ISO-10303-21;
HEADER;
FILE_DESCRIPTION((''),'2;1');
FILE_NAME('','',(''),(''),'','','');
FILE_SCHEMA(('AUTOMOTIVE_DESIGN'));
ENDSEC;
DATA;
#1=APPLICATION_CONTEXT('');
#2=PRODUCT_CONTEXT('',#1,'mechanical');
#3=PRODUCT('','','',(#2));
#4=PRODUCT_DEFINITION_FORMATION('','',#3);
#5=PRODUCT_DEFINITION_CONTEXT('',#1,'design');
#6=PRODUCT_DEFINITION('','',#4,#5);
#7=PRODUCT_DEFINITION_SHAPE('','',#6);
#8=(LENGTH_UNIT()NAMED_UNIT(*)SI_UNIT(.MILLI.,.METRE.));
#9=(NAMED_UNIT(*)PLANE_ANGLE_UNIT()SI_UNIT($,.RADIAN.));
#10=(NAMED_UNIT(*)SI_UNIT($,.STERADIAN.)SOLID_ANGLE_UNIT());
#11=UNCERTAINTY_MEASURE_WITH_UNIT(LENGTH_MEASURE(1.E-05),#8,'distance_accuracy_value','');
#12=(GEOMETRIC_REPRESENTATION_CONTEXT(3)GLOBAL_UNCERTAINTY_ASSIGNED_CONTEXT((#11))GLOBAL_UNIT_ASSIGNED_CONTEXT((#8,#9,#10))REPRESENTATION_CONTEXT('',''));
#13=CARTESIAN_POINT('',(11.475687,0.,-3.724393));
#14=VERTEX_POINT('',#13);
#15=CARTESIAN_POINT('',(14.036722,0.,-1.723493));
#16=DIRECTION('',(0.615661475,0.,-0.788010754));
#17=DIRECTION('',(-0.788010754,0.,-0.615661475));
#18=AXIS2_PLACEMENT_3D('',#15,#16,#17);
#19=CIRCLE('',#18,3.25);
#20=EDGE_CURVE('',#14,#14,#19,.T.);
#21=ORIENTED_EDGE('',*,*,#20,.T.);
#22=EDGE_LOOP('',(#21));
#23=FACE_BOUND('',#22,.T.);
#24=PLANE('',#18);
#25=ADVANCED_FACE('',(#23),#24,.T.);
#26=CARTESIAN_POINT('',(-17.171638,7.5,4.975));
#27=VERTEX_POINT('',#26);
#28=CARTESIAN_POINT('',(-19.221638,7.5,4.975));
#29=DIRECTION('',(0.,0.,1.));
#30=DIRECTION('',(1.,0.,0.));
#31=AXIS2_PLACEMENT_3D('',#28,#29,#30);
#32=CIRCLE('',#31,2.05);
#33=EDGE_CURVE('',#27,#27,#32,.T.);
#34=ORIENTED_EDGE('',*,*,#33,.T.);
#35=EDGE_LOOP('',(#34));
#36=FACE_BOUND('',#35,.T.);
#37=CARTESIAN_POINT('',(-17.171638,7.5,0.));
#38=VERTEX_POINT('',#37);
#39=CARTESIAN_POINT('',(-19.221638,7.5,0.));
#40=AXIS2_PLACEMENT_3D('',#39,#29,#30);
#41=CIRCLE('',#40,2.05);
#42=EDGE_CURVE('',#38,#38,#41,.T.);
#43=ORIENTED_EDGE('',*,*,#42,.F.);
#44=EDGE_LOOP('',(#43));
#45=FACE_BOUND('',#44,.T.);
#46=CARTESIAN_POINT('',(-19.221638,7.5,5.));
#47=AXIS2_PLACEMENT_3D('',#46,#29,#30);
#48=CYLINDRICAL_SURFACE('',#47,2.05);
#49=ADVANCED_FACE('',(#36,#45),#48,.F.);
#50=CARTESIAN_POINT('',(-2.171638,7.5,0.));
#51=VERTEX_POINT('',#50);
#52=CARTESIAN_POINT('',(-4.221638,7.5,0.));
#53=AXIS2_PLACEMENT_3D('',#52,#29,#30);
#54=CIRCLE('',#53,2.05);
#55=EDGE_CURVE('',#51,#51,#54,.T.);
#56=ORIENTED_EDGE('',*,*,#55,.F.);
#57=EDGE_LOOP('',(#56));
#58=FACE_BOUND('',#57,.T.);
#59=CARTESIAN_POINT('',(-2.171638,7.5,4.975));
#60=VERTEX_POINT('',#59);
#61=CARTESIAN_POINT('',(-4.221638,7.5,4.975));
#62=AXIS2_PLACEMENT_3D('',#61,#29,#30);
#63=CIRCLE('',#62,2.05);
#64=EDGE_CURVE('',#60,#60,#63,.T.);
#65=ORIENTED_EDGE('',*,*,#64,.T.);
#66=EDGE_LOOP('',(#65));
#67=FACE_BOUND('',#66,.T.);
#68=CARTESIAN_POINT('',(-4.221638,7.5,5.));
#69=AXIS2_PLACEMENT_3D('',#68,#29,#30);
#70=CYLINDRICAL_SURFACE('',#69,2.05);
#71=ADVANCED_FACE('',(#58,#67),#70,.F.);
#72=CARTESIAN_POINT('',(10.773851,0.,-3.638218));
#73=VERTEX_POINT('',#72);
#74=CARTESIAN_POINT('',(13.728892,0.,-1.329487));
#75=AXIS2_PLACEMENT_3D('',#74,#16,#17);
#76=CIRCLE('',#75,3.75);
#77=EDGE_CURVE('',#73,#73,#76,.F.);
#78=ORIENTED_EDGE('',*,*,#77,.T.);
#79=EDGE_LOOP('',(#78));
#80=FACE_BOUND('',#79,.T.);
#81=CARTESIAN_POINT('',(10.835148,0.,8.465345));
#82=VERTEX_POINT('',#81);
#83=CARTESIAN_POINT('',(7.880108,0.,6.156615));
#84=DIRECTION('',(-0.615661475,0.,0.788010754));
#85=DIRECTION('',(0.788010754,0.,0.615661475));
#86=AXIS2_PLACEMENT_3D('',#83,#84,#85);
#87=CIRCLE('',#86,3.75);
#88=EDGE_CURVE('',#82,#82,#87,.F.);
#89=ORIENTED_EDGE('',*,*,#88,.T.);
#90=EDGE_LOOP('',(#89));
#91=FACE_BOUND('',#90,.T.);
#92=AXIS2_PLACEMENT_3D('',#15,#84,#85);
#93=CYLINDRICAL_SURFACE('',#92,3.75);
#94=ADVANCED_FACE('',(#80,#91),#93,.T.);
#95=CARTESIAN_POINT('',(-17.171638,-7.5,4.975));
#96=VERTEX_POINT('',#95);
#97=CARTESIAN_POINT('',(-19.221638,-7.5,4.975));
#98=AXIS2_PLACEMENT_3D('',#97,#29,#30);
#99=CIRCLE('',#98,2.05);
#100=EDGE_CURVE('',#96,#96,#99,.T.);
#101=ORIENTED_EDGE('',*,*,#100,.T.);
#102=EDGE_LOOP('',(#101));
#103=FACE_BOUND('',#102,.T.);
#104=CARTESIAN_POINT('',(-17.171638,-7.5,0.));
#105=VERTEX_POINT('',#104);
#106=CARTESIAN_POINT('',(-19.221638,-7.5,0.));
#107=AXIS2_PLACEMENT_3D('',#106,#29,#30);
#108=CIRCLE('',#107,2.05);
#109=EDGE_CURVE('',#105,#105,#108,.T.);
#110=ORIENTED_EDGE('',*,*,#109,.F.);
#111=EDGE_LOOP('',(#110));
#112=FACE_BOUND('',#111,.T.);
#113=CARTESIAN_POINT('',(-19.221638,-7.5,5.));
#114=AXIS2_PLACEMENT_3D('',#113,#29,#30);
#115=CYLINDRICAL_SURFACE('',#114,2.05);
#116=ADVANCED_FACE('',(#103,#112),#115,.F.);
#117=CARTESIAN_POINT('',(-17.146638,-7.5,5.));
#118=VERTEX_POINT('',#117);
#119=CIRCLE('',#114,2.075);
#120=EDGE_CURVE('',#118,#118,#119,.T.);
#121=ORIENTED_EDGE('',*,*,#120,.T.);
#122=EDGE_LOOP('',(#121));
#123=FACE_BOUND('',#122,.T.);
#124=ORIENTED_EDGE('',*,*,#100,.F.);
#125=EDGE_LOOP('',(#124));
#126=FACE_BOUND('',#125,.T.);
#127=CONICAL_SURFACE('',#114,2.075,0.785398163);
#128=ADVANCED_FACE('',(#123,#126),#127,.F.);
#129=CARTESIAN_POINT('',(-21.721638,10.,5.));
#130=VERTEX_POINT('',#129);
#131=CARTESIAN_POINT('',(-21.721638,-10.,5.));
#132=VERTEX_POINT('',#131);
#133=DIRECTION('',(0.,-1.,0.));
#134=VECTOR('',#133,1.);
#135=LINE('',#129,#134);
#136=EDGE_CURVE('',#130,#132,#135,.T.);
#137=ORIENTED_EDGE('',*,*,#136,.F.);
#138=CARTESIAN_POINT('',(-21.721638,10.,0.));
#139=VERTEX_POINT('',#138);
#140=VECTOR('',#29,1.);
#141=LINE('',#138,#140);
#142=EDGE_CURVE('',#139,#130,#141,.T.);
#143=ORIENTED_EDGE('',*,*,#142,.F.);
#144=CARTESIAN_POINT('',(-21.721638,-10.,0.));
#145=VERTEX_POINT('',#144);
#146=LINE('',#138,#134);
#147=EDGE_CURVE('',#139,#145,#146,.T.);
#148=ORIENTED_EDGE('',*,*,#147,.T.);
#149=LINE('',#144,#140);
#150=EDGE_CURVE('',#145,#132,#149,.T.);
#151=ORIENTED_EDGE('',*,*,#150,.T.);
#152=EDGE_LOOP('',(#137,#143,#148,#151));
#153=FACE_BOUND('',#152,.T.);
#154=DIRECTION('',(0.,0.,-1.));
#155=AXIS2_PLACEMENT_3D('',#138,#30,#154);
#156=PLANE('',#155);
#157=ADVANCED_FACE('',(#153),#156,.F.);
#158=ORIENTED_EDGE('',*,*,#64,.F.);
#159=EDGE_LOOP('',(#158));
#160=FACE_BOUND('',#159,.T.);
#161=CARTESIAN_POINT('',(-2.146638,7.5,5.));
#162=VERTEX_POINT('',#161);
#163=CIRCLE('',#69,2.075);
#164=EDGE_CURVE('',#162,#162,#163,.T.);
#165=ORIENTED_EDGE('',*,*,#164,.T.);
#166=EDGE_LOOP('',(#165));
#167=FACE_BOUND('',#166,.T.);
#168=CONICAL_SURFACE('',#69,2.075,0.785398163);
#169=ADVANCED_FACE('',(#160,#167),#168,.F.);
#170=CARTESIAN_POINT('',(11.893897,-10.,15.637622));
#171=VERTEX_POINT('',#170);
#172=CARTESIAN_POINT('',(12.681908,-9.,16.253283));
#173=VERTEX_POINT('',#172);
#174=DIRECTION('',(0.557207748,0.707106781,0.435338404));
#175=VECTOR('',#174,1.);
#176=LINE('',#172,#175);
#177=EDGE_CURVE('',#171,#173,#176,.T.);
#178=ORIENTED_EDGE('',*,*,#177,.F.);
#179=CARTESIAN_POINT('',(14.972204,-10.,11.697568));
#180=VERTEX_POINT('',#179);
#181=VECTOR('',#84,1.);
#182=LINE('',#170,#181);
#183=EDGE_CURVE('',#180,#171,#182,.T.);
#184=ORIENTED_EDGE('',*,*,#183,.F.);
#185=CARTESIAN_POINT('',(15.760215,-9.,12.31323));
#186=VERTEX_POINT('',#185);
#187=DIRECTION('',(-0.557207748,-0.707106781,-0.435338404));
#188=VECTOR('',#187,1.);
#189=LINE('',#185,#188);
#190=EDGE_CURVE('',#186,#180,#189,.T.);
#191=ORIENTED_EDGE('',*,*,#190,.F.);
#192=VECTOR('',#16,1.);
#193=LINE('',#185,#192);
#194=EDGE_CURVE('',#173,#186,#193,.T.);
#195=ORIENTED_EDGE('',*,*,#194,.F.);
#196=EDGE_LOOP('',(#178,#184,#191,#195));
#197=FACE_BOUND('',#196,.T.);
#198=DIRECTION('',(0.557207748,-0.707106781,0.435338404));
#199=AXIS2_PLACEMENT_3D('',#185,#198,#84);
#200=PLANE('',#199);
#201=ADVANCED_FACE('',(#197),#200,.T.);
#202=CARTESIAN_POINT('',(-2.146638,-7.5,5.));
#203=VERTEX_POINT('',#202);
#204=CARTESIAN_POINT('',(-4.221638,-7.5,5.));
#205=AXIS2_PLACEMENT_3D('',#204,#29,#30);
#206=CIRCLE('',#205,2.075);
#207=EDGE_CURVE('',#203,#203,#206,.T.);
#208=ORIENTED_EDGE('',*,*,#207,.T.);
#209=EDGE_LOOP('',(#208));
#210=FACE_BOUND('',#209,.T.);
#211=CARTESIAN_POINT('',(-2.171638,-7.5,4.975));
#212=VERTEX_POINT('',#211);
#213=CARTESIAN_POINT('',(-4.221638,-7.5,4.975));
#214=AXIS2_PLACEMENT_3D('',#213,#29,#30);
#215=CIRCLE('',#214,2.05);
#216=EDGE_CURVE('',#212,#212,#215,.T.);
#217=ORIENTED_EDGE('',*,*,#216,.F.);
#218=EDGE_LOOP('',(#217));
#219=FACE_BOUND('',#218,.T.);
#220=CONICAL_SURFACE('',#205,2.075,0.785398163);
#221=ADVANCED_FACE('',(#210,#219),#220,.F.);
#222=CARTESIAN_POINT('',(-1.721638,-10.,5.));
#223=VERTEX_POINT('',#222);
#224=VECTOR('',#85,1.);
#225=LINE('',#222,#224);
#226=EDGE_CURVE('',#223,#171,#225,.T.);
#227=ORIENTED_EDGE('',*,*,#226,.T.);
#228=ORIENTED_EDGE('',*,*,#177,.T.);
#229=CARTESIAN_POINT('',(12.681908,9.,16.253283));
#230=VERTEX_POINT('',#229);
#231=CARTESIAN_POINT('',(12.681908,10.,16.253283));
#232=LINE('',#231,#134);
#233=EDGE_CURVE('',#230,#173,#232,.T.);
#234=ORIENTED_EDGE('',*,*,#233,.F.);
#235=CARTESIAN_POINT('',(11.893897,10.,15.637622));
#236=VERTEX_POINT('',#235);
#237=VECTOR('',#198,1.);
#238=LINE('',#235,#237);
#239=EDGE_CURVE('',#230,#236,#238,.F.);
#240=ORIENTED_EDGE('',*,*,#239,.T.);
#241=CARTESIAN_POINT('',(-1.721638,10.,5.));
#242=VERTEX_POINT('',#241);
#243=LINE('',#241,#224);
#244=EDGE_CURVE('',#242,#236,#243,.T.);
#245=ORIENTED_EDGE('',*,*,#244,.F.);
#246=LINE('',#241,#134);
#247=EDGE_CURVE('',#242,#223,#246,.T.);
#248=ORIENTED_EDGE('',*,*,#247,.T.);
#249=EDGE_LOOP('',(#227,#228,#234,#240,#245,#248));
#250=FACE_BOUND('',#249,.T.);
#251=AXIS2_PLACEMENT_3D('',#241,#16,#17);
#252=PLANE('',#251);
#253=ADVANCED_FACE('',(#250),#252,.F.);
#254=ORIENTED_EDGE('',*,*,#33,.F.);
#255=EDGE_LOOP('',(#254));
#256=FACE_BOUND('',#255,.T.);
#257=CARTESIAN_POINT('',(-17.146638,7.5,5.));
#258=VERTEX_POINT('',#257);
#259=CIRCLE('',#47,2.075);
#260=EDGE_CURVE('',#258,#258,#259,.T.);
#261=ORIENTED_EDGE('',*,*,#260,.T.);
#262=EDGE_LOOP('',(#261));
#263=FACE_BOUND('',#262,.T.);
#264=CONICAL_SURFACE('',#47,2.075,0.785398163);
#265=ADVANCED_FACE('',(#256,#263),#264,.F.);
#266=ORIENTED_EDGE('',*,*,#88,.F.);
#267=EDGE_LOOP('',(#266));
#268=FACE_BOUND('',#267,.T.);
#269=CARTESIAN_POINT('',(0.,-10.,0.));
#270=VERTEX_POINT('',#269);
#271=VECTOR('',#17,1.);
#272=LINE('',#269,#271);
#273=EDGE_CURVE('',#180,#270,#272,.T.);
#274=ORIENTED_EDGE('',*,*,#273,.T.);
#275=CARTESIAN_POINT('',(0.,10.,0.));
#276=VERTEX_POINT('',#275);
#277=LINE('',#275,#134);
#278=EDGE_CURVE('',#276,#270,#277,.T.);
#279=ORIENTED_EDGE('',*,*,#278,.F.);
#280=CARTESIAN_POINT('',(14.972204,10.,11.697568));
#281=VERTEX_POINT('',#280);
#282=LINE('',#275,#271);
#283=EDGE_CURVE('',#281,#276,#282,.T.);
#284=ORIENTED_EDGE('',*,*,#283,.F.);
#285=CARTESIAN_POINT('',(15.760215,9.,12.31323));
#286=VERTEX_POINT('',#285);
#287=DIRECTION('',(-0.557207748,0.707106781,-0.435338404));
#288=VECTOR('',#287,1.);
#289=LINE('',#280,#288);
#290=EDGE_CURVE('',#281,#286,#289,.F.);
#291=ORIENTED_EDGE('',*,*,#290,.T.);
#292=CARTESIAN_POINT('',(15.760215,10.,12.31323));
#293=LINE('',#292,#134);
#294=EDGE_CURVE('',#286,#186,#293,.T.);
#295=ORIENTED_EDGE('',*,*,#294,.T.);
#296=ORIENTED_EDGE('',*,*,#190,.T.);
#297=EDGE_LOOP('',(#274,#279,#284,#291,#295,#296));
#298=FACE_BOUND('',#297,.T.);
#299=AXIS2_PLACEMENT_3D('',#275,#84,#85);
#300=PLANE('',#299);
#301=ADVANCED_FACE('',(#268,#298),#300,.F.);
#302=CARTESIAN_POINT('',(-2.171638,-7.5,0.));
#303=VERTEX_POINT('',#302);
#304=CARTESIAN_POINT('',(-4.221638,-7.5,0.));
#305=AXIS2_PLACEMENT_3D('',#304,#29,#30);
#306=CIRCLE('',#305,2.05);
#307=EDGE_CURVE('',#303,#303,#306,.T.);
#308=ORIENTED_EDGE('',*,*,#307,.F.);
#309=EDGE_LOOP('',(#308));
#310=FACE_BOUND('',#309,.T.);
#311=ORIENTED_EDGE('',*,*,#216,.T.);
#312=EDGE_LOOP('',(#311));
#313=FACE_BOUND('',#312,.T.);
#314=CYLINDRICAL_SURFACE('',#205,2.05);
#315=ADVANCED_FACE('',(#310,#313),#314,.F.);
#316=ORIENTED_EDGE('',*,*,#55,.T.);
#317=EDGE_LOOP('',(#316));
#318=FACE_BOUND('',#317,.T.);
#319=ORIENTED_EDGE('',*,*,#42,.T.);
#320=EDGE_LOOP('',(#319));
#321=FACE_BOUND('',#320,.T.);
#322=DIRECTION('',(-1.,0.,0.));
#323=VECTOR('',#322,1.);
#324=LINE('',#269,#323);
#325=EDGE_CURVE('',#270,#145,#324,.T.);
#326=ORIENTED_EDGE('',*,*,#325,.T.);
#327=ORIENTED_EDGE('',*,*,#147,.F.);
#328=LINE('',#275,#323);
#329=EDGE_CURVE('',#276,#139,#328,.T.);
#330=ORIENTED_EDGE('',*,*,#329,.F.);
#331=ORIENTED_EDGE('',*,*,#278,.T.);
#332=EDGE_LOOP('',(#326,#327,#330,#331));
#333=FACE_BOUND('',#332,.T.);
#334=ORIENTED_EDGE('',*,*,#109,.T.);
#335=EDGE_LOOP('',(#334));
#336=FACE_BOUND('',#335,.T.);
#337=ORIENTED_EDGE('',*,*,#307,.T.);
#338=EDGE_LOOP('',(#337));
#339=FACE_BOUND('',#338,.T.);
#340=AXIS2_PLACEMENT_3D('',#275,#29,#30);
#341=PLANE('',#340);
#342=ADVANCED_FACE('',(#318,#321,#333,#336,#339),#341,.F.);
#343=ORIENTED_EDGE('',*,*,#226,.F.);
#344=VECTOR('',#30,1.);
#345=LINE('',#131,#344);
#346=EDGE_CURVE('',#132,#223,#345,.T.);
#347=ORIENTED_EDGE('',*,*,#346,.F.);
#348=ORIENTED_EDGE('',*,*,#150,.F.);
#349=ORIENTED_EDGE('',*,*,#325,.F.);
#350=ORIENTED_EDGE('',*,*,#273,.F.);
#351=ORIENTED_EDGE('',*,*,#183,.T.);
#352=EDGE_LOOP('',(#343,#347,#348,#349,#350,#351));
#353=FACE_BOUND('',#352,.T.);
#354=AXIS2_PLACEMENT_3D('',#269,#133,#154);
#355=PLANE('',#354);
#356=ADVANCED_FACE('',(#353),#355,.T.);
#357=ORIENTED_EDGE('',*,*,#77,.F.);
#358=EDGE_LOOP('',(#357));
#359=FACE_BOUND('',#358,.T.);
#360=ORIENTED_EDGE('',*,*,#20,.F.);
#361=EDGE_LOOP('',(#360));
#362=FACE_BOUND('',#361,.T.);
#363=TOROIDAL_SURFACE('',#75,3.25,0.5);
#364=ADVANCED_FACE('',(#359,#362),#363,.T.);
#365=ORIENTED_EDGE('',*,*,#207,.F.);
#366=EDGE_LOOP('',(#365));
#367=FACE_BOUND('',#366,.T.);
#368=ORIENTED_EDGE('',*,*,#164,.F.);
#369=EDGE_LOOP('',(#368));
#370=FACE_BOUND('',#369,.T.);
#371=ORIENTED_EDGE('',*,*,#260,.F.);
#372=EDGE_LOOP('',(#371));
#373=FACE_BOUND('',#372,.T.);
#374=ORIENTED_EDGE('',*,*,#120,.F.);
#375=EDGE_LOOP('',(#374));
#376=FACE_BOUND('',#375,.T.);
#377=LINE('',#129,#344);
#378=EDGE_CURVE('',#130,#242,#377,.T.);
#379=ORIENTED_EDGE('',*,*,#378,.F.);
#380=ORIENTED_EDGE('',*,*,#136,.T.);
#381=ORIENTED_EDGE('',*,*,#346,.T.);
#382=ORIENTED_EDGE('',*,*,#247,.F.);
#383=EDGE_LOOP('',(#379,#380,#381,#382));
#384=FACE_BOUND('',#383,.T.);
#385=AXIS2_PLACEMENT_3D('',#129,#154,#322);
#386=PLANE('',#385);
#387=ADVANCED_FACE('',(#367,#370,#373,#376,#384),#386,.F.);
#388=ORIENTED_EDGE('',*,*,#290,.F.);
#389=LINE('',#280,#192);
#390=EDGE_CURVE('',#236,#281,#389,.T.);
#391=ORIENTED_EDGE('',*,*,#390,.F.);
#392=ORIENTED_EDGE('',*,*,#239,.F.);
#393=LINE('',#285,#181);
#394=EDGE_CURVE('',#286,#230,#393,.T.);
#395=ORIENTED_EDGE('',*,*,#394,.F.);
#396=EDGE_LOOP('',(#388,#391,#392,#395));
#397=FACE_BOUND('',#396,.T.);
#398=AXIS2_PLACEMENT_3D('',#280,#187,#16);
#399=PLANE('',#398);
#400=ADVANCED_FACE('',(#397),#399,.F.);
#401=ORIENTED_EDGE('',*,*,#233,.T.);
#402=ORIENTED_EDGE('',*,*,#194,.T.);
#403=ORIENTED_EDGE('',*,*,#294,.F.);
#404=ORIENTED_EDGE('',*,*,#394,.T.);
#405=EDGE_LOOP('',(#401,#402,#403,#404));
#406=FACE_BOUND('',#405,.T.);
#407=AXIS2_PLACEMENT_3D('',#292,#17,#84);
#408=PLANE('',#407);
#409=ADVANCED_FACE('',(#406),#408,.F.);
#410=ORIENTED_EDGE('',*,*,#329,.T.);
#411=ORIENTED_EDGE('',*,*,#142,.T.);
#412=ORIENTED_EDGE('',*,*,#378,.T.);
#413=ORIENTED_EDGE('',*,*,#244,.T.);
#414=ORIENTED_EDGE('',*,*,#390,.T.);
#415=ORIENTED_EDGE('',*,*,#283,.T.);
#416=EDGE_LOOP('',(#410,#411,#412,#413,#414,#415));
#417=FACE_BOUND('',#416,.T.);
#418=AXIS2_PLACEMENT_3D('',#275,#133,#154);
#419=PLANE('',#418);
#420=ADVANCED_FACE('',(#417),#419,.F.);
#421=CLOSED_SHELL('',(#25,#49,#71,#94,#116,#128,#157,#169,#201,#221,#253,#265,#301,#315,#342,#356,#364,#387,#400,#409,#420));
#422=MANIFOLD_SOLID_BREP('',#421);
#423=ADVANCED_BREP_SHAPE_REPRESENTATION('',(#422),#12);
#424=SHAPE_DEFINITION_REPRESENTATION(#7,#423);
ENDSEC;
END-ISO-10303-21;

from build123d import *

# Parameters (mm, degrees)
EXTRUDE_1_DEPTH                   = 10
HOLE_WIZARD_4_1_4_1_1_D           = 4.1
HOLE_WIZARD_4_1_4_1_1_CSINK_D     = 4.15
HOLE_WIZARD_4_1_4_1_1_CSINK_ANGLE = 90
SKETCH_4_R                        = 3.75
EXTRUDE_2_DEPTH                   = 10
FILLET_1_R                        = 0.5
CHAMFER_1_SIZE                    = 1


with BuildPart() as part:
    # 草图1 → 凸台-拉伸1 (new, symmetric)
    with BuildSketch(Plane(origin=(0, 0, 0), x_dir=(1, 0, 0), z_dir=(0, 1, 0))):
        Polygon((0, 0), (-21.721638066, 0), (-21.721638066, -5), (-1.721638066, -5), (12.681907696, -16.253283275), (15.760215072, -12.313229507), align=None)
    extrude(amount=EXTRUDE_1_DEPTH, both=True)

    # Ø4.1 (4.1) 直径孔1 (through all)
    with Locations(Plane(origin=(-19.221638066, 7.5, 5), x_dir=(1, 0, 0), z_dir=(0, 0, 1))):
        with Locations((0, 0), (15, 0), (15, -15), (0, -15)):
            CounterSinkHole(HOLE_WIZARD_4_1_4_1_1_D / 2, HOLE_WIZARD_4_1_4_1_1_CSINK_D / 2, counter_sink_angle=HOLE_WIZARD_4_1_4_1_1_CSINK_ANGLE)

    # 草图4 → 凸台-拉伸2 (add)
    with BuildSketch(Plane(origin=(0, 0, 0), x_dir=(-0.7880107536067258, 0, -0.6156614753256534), z_dir=(0.6156614753256534, 0, -0.7880107536067258))):
        with Locations(Location((-10, 0, 0), (0, 0, 180))):
            Circle(SKETCH_4_R)
    extrude(amount=EXTRUDE_2_DEPTH)

    # 圆角1
    fillet_1_edges = [part.edges().sort_by_distance(p)[0] for p in [
        (11.081681963, 0, -4.032223315),
    ]]
    fillet(fillet_1_edges, radius=FILLET_1_R)

    # 倒角1
    chamfer_1_edges = [part.edges().sort_by_distance(p)[0] for p in [
        (14.221061384, 10, 14.283256391),
        (14.221061384, -10, 14.283256391),
    ]]
    chamfer(chamfer_1_edges, length=CHAMFER_1_SIZE)


solid = part.part
